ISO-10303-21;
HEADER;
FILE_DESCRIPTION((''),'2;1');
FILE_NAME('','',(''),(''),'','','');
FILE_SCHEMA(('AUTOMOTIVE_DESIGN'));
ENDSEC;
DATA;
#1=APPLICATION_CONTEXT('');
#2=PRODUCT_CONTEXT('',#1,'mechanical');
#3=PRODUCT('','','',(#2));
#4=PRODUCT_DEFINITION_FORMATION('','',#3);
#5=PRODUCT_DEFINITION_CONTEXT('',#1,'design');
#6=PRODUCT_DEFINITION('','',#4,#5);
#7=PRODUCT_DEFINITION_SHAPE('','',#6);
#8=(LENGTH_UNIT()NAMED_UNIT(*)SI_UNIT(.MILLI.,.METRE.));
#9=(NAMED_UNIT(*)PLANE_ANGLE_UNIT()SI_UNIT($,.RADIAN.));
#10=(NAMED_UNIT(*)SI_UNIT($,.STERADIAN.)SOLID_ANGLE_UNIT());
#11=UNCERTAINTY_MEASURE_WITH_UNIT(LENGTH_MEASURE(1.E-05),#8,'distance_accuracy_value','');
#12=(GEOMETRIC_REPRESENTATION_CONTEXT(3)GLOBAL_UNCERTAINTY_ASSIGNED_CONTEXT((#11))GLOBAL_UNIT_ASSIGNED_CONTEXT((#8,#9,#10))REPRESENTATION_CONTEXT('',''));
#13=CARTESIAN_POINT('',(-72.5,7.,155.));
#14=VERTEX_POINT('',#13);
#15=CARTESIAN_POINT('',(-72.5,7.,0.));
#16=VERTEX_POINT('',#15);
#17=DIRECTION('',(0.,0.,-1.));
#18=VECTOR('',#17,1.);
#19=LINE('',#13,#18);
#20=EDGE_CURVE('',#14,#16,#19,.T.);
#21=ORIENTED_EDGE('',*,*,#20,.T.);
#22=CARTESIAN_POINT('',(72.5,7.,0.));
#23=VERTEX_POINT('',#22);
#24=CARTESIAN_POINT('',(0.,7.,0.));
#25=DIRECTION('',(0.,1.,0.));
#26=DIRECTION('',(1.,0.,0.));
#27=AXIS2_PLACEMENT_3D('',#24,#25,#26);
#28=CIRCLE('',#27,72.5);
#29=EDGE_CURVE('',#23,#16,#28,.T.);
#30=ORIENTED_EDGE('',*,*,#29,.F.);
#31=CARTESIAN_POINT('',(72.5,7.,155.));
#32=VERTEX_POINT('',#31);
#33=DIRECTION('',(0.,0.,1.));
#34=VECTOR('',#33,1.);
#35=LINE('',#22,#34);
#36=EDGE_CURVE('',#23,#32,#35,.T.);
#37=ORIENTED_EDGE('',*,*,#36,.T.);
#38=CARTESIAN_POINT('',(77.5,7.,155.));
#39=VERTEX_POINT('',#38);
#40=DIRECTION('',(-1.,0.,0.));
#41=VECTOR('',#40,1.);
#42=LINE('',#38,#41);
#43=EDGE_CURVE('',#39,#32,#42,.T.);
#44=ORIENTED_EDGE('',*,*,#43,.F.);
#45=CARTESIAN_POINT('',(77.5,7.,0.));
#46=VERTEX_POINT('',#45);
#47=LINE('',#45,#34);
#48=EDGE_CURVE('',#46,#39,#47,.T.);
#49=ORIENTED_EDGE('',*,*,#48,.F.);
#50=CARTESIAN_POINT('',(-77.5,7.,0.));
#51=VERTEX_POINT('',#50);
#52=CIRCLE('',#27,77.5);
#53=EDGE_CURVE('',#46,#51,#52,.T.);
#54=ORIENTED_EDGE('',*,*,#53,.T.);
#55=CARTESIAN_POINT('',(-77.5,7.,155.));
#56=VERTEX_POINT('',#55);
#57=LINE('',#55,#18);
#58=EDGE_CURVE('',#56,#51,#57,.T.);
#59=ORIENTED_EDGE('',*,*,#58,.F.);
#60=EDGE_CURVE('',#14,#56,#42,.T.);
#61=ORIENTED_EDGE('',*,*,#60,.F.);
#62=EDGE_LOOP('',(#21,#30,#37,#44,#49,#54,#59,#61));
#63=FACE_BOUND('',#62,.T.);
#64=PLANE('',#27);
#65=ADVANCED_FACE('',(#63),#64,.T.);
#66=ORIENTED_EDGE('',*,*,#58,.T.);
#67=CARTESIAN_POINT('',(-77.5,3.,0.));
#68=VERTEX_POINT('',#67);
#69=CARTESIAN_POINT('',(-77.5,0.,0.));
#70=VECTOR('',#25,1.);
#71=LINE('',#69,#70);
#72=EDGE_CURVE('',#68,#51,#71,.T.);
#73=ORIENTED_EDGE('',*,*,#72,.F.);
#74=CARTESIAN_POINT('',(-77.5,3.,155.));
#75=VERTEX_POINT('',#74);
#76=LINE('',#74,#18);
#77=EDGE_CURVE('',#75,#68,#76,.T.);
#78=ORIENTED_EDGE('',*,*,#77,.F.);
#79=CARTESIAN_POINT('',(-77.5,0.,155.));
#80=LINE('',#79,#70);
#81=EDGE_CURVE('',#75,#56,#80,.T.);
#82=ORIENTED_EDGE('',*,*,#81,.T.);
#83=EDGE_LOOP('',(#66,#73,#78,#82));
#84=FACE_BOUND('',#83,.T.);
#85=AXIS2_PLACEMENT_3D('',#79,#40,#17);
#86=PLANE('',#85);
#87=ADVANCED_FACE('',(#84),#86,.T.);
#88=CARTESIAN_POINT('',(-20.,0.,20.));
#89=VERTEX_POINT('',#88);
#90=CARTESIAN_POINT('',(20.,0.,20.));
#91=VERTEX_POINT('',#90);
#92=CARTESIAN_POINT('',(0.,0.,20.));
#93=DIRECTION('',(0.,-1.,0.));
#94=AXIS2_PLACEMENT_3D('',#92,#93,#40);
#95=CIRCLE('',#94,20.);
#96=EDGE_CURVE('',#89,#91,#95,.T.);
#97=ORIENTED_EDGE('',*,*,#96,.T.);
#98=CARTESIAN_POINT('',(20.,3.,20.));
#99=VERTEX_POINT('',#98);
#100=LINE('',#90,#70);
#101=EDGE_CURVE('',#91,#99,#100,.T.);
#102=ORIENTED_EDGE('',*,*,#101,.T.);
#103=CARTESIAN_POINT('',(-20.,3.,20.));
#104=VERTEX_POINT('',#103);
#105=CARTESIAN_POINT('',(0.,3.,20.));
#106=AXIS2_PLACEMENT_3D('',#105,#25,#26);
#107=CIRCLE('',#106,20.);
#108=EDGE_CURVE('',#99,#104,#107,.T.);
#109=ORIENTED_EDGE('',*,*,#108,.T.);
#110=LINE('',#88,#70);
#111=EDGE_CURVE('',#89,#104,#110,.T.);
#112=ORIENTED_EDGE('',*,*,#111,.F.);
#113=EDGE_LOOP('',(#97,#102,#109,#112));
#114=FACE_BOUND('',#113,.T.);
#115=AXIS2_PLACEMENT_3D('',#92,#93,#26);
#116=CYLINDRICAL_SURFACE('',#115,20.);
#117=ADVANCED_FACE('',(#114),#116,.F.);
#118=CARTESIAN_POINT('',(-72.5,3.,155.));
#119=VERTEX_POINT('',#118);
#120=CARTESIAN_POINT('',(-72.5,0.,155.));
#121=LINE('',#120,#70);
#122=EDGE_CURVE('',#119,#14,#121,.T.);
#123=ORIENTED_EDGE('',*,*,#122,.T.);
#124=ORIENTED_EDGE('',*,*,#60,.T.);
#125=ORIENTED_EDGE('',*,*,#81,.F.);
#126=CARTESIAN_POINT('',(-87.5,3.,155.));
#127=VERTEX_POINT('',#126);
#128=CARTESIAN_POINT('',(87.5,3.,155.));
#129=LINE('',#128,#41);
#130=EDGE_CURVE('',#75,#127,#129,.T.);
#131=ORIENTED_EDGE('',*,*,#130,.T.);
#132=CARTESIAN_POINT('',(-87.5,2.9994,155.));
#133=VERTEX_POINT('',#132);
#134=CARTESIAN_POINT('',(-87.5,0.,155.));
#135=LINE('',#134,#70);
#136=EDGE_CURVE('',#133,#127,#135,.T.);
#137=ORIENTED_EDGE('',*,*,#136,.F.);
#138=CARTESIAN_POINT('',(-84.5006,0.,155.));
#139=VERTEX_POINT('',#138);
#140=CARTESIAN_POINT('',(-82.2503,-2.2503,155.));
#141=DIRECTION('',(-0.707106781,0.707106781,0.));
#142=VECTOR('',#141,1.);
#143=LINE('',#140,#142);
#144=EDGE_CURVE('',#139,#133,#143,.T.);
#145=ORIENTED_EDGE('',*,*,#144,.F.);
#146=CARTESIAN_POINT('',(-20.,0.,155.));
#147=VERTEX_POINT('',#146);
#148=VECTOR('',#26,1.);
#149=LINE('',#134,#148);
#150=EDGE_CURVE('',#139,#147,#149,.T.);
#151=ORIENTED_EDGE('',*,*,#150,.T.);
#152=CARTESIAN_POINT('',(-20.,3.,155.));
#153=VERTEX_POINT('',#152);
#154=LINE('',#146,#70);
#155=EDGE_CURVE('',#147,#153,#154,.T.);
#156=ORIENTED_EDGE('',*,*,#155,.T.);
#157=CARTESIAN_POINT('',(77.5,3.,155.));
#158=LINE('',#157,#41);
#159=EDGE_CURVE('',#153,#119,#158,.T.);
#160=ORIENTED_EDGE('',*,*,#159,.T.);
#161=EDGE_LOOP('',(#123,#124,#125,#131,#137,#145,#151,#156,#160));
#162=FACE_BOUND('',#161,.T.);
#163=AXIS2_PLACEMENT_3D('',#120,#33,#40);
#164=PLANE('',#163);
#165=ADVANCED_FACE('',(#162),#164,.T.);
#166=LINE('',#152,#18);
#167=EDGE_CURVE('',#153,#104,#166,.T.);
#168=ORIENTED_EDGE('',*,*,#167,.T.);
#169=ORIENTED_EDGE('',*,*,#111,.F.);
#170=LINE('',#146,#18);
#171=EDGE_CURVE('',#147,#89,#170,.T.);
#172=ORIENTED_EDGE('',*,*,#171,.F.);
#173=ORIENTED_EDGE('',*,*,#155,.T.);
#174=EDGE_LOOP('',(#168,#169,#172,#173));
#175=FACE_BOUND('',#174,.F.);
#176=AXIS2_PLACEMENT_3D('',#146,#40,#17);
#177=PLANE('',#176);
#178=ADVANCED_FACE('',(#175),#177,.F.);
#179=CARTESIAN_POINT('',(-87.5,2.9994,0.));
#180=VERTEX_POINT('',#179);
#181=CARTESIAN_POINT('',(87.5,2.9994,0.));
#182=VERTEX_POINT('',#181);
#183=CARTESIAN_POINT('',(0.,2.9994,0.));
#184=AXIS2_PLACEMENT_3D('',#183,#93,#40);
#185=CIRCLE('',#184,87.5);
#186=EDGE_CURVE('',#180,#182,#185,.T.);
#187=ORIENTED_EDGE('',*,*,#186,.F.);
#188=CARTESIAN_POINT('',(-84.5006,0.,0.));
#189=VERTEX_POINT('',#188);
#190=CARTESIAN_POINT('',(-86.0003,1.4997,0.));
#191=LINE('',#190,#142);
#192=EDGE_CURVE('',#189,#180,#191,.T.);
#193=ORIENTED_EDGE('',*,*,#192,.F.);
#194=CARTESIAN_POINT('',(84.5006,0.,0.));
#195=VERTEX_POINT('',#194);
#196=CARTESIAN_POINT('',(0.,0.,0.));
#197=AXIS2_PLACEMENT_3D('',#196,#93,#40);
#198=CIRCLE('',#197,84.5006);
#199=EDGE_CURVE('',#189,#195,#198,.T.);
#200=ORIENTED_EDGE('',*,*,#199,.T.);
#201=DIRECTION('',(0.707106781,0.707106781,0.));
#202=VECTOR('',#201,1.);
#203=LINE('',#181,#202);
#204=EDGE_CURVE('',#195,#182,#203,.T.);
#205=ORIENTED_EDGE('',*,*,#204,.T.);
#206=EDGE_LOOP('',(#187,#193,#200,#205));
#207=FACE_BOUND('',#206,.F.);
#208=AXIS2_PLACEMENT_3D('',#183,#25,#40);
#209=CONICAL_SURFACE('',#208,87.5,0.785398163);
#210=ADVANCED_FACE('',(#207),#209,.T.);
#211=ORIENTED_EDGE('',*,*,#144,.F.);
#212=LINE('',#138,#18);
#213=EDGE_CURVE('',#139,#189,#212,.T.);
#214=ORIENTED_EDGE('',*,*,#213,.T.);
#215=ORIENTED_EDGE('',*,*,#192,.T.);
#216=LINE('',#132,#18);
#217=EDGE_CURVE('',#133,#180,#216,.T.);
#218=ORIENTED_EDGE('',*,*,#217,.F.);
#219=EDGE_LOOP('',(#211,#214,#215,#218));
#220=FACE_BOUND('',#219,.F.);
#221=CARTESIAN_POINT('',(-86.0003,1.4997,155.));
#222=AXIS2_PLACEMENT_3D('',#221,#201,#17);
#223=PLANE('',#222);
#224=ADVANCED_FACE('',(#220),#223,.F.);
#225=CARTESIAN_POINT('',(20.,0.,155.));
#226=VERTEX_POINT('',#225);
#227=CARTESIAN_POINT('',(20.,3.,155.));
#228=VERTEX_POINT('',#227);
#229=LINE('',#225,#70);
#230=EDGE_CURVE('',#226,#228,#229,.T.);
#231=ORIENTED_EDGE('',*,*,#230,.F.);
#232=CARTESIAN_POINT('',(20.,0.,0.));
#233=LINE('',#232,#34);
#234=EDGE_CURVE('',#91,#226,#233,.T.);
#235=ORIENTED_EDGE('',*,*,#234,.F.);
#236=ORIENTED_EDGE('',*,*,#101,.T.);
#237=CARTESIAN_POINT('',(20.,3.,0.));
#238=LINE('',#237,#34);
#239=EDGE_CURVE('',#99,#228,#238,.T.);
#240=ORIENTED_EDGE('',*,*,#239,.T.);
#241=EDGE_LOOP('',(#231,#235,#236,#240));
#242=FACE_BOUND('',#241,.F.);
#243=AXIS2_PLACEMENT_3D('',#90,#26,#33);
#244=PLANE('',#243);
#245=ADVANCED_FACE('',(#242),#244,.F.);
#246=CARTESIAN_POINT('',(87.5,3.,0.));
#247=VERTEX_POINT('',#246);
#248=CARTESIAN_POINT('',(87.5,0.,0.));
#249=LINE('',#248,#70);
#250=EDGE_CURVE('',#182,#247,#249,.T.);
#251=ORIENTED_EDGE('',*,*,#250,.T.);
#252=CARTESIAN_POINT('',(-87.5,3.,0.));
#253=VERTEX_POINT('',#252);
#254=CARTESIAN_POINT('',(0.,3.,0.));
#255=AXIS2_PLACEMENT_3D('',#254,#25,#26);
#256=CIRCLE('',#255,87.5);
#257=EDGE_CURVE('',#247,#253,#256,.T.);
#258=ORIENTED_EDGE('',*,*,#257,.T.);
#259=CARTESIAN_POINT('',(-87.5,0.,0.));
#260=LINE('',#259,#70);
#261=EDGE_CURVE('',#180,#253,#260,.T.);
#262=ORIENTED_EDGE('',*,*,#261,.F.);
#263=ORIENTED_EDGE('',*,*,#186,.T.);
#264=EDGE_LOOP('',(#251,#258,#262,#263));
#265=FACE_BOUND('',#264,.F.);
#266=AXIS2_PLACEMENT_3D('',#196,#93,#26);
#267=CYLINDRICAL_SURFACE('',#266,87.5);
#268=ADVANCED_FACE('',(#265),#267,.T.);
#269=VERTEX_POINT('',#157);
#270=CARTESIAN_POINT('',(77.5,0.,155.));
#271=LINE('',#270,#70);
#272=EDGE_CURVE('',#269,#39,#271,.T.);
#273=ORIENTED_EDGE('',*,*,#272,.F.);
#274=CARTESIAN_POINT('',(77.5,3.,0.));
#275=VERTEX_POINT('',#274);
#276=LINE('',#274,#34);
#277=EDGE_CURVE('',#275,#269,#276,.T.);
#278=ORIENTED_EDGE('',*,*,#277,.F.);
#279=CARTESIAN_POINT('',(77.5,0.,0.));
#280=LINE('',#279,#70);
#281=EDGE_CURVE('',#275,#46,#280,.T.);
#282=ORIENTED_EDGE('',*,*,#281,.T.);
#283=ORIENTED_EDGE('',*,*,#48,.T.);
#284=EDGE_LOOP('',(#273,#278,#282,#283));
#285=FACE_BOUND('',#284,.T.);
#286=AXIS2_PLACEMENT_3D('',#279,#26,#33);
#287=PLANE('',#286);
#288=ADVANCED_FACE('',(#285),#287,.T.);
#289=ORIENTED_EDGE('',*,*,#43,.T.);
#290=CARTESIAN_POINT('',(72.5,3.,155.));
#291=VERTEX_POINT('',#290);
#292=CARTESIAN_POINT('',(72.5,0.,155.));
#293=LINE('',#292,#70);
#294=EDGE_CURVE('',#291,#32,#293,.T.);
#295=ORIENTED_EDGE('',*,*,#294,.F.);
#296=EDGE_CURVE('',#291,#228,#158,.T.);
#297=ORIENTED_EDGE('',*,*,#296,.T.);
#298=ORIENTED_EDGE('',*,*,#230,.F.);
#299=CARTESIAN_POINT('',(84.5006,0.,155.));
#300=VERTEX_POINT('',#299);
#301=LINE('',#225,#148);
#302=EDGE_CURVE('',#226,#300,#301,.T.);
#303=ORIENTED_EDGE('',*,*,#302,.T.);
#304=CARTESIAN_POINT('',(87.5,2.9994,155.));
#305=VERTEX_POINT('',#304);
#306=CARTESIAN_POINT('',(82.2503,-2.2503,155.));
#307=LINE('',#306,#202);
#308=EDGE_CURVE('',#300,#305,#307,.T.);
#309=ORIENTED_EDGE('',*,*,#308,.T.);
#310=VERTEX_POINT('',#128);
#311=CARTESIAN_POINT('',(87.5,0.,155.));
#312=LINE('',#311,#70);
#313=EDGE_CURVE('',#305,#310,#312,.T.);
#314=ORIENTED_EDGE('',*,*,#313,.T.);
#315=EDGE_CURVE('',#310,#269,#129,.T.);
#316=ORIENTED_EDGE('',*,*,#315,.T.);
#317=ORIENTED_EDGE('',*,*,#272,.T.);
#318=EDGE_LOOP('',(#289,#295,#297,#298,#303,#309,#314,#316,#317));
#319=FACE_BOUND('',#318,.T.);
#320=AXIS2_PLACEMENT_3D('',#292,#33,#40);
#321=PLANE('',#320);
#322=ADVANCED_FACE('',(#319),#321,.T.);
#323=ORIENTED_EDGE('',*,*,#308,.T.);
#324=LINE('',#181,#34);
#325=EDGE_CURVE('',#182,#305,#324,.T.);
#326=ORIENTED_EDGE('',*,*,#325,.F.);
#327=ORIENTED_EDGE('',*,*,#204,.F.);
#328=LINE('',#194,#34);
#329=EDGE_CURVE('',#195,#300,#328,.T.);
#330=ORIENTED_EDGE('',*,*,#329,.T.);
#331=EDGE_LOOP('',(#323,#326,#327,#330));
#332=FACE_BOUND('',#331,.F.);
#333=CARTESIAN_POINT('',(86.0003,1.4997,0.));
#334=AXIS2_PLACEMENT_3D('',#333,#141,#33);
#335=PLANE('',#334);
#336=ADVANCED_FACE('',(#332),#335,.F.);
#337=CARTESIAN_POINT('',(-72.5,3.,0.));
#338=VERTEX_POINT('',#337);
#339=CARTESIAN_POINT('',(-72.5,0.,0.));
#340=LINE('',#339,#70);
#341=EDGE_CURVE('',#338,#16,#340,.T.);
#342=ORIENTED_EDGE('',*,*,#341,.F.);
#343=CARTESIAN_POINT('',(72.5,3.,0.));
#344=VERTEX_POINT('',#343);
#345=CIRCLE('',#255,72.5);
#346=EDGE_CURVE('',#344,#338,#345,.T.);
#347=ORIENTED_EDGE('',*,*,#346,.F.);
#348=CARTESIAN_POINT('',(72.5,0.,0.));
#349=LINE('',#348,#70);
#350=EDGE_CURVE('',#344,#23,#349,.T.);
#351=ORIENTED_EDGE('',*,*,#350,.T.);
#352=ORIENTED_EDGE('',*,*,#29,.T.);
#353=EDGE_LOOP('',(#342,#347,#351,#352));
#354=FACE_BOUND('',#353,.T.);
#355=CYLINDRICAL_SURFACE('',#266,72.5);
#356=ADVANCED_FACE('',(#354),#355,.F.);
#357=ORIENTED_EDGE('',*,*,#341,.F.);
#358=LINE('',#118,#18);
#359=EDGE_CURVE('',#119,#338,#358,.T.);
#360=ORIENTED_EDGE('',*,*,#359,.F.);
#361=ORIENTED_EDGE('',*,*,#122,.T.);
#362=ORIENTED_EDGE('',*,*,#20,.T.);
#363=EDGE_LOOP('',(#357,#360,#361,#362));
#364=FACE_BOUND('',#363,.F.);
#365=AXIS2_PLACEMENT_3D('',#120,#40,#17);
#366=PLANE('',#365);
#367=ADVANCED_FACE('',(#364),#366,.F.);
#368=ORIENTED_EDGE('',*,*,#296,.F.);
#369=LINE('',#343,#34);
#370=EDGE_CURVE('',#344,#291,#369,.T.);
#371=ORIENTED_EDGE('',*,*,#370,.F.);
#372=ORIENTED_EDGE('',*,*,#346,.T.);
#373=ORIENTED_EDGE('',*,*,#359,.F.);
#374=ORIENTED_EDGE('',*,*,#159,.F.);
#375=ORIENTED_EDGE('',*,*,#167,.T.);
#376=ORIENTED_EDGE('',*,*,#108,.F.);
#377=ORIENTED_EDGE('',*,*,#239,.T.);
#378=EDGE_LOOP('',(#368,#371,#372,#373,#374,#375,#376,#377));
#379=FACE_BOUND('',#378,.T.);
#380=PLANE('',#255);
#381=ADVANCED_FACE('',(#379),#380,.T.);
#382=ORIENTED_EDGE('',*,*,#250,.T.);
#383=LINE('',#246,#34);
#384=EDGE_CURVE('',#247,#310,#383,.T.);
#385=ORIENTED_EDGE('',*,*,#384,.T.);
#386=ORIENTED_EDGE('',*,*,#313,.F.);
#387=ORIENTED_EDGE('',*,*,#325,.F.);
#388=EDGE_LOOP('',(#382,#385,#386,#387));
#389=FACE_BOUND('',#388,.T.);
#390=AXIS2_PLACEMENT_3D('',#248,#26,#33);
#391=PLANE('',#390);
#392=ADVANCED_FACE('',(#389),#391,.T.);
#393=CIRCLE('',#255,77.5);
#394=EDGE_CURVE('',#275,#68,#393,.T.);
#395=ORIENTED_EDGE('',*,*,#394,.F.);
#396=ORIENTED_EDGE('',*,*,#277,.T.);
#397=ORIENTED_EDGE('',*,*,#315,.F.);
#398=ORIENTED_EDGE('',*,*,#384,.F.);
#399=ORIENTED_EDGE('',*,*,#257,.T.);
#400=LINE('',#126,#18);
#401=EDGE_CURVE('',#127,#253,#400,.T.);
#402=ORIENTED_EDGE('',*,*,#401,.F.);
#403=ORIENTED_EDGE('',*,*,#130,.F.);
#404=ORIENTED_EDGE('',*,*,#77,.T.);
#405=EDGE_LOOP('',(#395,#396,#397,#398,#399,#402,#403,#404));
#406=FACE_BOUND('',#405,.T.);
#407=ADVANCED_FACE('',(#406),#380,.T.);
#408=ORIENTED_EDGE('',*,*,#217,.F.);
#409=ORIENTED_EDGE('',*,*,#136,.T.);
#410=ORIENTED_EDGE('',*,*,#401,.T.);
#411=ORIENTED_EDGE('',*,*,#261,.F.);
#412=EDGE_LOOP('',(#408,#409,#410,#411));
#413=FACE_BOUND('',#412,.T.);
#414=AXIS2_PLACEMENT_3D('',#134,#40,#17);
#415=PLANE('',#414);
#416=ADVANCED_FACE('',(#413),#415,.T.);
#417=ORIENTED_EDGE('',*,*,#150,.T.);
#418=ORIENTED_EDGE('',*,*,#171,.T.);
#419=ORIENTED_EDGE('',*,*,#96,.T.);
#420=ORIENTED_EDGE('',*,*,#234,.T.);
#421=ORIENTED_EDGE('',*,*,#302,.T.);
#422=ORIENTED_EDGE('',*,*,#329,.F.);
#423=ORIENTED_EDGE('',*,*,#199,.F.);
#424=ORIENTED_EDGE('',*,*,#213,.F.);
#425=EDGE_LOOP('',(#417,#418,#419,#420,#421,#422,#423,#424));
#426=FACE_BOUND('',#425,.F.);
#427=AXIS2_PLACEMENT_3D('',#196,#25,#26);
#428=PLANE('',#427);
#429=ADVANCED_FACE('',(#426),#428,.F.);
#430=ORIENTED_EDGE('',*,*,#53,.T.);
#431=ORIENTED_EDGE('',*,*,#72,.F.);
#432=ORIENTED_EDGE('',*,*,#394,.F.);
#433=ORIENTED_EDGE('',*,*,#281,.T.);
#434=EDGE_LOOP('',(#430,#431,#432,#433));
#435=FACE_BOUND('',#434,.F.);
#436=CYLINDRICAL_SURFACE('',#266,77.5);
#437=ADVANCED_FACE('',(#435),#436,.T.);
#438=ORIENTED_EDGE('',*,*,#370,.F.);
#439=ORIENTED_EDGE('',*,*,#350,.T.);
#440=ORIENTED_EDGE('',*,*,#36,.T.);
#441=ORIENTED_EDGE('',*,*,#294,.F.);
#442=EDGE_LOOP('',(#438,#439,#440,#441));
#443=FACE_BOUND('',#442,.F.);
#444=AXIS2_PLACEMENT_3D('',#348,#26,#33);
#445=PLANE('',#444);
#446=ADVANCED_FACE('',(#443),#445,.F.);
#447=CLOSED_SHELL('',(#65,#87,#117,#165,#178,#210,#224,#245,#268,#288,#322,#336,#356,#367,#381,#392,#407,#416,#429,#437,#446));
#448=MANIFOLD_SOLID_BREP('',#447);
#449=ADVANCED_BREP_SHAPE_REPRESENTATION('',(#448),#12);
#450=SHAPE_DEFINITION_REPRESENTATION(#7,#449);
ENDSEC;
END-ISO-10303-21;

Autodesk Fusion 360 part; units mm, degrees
sketch "Sketch1" plane through (0, 0, 0) normal (0, 1, 0) x (1, 0, 0)
  line L0 (0, 0) -> (0, -155)
  line L1 (-77.5, 0) -> (77.5, 0)
  line L2 (77.5, 0) -> (77.5, -155)
  line L3 (77.5, -155) -> (-77.5, -155)
  line L4 (-77.5, -155) -> (-77.5, 0)
  arc A0 (77.5, 0) -> (-77.5, 0) centre (0, 0) ccw
  line L5 (-20, -155) -> (-20, 0)
  arc A1 (20, 0) -> (-20, 0) centre (0, 0) ccw
  line L6 (20, 0) -> (20, -155)
  line L7 (-87.5, -155) -> (-87.5, 0)
  arc A2 (87.5, 0) -> (-87.5, 0) centre (0, 0) ccw
  line L8 (87.5, 0) -> (87.5, -155)
  line L9 (87.5, -155) -> (-87.5, -155)
  line L10 (-72.5, -155) -> (-72.5, 0)
  arc A3 (72.5, 0) -> (-72.5, 0) centre (0, 0) ccw
  line L11 (72.5, 0) -> (72.5, -155)
  line L12 (20, -20) -> (-20, -20)
  arc A4 (20, -20) -> (-20, -20) centre (0, -20) ccw
  dimension "d2" = 155
  dimension "d3" = 155
  dimension "d4" = 57.5
  dimension "d5" = -10
  dimension "d6" = 5
extrude "Extrude1" add sketch "Sketch1" along normal blind 7 contours L1 L3 L4 L9 L10 | L1 A0 A3 | L1 L2 L3 L9 L11
extrude "Extrude2" add sketch "Sketch1" along normal blind 3 contours L1 L5 A4 | L1 A1 | L1 L6 A4 | L1 L3 L5 L9 L10 | L1 A1 A3 | L1 L3 L6 L9 L11 | L2 L4 A0 L7 A2 L8 L9
chamfer "Chamfer1" distance 3 angle 45 3 edges at (87.5, 0, 77.5) (0, 0, -87.5) (-87.5, 0, 77.5)
equation "d2 = 245 mm - 90 mm"
equation "d4 = ( ( 155 - 40 ) / 2 ) * 1 mm"
